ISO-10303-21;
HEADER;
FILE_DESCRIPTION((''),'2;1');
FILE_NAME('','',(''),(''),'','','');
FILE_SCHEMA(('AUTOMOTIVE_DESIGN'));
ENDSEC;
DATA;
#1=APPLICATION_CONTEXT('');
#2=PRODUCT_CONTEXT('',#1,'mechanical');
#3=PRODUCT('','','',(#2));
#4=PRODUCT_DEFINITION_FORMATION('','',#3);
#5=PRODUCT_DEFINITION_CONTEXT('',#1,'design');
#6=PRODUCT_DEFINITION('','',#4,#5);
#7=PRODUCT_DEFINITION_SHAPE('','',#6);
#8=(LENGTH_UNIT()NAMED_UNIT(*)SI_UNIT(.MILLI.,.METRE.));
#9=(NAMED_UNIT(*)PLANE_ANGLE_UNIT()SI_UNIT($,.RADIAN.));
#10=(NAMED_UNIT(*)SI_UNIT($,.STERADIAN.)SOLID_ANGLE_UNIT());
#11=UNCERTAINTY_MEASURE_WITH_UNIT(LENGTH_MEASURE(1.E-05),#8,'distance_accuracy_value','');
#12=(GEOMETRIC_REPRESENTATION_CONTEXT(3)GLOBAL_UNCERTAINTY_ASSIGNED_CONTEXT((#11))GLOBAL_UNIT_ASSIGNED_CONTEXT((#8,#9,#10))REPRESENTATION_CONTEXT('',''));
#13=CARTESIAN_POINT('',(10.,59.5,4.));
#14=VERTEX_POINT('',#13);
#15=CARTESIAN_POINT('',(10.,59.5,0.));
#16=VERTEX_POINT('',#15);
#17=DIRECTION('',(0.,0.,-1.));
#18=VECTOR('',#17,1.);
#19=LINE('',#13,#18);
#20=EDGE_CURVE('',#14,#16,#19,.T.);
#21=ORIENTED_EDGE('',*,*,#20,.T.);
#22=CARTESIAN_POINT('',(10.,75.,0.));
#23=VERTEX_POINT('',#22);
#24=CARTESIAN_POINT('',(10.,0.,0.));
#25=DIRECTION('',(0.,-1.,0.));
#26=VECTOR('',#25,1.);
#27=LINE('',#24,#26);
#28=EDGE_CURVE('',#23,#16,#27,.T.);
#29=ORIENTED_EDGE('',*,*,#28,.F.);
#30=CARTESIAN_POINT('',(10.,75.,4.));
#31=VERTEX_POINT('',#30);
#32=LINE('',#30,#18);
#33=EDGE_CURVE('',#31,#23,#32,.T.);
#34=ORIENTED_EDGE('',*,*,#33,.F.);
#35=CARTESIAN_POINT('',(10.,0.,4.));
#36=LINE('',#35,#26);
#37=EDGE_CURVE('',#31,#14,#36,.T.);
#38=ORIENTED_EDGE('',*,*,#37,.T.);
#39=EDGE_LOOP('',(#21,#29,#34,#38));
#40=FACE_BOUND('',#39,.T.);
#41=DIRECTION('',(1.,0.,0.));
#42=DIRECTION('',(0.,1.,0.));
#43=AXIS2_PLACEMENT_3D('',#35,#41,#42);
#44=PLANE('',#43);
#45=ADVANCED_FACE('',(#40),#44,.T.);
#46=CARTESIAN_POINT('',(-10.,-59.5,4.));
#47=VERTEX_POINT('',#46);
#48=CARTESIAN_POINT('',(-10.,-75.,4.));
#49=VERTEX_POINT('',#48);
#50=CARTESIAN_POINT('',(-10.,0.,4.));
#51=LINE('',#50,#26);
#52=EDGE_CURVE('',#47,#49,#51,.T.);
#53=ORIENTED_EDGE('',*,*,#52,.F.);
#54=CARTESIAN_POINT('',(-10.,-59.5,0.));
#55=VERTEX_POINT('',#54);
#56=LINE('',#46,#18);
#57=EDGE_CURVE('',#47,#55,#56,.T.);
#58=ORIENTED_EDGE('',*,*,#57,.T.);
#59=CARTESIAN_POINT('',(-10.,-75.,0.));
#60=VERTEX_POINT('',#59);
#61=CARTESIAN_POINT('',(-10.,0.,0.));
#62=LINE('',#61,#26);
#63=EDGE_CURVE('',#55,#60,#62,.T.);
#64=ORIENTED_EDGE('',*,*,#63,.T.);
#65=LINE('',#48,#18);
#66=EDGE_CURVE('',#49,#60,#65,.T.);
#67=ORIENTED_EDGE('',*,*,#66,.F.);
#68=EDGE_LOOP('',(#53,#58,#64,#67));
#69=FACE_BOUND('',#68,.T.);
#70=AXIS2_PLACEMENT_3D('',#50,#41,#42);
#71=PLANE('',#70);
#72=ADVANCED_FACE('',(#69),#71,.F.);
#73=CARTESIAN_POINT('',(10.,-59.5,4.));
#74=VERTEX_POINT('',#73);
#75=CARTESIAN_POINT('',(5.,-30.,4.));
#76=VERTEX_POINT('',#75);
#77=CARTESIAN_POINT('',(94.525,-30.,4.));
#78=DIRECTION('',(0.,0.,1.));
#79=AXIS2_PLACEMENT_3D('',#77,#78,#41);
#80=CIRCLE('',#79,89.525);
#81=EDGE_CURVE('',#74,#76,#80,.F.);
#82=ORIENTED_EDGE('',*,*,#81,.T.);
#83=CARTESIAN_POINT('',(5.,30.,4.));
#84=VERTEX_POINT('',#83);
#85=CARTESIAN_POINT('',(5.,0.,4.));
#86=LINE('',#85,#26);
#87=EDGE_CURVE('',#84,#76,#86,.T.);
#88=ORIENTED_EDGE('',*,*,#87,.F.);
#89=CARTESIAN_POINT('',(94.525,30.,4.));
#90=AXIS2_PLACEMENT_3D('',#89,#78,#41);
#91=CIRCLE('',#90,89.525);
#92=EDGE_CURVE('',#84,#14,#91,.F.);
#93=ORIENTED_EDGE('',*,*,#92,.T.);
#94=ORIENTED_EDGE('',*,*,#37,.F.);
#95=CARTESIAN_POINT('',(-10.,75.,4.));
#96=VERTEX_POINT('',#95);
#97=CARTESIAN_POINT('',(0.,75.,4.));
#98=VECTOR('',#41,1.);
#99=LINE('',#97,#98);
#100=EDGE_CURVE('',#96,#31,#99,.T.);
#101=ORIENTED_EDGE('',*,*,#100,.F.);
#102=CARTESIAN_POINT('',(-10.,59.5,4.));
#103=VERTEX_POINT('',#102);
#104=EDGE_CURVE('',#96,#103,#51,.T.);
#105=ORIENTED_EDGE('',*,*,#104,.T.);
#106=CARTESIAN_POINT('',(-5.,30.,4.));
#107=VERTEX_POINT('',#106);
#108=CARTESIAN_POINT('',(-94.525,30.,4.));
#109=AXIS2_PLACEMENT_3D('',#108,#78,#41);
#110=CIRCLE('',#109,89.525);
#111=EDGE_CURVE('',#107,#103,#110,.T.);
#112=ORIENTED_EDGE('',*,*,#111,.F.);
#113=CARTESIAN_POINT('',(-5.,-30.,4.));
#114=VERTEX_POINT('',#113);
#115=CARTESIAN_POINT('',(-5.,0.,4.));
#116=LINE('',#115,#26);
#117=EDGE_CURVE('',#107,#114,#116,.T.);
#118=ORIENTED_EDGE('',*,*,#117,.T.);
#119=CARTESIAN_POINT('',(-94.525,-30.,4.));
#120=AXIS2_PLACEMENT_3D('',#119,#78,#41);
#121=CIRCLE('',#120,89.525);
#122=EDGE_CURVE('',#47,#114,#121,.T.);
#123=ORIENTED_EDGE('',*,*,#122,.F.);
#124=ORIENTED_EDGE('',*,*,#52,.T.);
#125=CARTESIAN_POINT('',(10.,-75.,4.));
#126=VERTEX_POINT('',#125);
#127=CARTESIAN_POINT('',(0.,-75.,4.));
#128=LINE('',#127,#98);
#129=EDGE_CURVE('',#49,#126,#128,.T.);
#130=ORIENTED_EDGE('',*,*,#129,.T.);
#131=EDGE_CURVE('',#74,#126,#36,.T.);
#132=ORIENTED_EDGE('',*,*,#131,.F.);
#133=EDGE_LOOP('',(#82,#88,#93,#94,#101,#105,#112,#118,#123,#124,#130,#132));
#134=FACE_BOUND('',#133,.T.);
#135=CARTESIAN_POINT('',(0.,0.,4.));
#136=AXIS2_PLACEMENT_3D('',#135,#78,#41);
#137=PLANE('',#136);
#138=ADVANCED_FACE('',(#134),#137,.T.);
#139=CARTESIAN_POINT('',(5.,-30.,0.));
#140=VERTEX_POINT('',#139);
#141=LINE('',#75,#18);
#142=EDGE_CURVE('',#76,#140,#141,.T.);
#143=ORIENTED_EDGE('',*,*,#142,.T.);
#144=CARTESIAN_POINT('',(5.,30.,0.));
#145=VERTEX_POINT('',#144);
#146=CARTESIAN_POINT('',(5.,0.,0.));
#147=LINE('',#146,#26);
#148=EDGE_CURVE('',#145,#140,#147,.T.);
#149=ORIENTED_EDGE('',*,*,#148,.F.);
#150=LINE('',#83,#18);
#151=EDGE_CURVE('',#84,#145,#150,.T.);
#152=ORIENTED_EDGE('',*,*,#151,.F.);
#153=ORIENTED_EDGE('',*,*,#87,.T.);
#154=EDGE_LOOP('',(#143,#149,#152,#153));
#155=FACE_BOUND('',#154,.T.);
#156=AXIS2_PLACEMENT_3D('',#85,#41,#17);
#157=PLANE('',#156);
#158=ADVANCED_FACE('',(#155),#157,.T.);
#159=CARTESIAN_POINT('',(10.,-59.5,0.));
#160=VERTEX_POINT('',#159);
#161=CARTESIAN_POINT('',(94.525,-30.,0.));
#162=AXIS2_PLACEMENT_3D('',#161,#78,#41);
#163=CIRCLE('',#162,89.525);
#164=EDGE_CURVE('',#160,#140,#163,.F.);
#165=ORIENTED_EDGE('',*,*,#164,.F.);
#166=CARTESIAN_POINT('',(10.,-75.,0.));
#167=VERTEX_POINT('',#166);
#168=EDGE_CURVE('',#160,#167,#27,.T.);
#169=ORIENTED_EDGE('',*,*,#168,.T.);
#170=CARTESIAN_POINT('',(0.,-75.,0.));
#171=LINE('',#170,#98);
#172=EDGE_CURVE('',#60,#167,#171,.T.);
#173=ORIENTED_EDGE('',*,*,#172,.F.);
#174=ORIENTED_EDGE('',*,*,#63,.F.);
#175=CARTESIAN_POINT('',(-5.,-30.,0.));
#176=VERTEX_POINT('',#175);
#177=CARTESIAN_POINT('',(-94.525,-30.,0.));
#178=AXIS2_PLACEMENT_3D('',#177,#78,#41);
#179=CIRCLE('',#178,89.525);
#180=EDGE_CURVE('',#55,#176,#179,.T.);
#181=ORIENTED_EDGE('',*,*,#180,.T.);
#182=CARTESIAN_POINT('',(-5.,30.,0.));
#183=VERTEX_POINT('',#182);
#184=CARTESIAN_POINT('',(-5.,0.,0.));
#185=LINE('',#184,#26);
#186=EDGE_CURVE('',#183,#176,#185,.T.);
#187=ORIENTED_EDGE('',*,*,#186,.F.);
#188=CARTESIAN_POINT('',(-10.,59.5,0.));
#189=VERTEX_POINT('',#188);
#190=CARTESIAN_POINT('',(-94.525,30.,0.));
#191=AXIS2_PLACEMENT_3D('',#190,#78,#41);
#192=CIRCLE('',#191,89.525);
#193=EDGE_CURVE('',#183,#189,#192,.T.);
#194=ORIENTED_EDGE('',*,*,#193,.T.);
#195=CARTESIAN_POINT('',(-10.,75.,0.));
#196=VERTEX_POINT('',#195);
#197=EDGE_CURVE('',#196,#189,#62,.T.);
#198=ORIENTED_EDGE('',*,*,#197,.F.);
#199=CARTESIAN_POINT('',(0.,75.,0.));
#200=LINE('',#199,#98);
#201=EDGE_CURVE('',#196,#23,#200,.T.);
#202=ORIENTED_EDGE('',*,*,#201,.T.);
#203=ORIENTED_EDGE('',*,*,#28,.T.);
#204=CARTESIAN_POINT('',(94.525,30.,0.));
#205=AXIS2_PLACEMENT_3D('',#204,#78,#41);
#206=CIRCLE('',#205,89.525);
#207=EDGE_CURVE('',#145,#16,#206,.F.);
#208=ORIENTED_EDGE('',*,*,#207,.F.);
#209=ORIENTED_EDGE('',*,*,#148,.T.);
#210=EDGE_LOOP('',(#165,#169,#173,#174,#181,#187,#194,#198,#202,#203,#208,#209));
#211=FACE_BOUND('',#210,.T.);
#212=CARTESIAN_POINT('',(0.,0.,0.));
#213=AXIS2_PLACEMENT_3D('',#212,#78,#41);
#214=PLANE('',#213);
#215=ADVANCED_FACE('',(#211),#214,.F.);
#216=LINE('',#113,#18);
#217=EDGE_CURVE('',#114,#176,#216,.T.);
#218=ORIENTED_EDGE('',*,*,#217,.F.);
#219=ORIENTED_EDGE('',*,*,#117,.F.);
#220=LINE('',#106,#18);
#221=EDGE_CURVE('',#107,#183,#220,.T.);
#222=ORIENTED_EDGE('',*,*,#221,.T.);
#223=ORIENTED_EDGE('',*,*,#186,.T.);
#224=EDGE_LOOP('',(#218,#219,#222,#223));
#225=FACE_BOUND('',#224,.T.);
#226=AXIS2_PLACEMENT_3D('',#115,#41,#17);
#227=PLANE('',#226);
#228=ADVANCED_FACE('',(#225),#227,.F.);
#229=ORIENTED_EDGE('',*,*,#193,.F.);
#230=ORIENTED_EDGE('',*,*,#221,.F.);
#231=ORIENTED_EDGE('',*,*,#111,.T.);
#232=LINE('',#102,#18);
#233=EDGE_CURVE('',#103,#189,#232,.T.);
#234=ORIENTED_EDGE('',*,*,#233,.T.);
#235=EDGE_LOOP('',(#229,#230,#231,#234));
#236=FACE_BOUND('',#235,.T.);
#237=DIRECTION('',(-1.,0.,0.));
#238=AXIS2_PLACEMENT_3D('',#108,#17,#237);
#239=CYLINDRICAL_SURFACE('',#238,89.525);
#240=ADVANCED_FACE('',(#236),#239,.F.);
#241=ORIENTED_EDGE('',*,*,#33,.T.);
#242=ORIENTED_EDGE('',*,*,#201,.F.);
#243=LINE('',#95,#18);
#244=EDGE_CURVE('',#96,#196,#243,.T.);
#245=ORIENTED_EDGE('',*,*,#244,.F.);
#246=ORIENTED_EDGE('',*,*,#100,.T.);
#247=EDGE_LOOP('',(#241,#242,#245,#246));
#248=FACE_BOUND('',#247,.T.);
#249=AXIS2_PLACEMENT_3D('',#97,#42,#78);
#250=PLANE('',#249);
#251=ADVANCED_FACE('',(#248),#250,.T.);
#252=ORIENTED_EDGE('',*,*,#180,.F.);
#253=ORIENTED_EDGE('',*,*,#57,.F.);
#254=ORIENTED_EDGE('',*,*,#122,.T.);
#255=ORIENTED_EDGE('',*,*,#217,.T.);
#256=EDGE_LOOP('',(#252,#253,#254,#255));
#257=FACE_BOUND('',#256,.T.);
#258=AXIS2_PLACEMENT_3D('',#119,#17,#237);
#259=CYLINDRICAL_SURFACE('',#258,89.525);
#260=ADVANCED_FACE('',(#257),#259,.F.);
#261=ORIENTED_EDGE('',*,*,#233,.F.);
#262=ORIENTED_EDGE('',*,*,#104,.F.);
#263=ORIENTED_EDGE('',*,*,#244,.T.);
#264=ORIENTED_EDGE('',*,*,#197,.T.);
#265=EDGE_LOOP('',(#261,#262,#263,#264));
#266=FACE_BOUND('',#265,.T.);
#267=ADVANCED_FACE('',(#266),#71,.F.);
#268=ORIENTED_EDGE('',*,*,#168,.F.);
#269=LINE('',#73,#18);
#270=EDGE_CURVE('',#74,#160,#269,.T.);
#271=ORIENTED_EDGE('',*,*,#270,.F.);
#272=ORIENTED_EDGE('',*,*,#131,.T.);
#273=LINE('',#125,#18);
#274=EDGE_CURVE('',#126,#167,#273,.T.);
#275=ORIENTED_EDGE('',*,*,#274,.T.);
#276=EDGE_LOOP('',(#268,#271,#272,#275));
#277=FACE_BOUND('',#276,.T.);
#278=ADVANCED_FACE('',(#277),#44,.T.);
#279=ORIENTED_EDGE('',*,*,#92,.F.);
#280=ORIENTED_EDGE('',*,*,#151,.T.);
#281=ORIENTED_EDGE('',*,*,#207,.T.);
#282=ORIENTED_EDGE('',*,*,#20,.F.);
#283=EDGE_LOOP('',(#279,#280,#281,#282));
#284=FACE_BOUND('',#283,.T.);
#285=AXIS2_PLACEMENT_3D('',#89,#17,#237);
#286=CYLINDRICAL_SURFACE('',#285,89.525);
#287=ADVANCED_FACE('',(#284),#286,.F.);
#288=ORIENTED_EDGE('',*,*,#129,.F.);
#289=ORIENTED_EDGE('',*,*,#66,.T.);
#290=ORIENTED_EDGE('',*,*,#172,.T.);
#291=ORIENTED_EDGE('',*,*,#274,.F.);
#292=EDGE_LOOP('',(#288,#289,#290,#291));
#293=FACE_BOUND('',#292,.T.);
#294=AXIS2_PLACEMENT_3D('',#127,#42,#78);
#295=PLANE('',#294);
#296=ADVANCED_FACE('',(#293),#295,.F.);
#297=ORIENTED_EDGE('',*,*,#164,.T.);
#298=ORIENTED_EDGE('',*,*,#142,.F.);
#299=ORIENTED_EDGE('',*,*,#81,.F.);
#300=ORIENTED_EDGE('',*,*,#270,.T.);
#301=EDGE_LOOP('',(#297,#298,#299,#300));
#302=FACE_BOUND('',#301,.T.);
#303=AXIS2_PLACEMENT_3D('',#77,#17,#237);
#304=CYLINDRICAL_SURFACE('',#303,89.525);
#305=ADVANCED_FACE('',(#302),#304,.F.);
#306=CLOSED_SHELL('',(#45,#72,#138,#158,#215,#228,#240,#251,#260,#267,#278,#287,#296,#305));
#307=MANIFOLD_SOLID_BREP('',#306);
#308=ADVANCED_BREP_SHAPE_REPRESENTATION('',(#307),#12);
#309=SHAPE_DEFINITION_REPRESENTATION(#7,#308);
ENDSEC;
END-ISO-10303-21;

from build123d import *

# Parameters (mm, degrees)
ESQUISSE1_W        = 10
ESQUISSE1_H        = 60
BOSS_EXTRU_1_DEPTH = 4


with BuildPart() as part:
    # Esquisse1 → Boss.-Extru.1 (new body)
    with BuildSketch(Plane.XY):
        with BuildLine():
            Line((-5, 30), (5, 30))
            ThreePointArc((5, 30), (6.258850628, 44.9603643), (10, 59.5))
            Line((10, 59.5), (10, 75))
            Line((10, 75), (-10, 75))
            Line((-10, 75), (-10, 59.5))
            ThreePointArc((-10, 59.5), (-6.258850628, 44.9603643), (-5, 30))
        make_face()
        Rectangle(ESQUISSE1_W, ESQUISSE1_H)
        with BuildLine():
            Line((10, -59.5), (10, -75))
            Line((10, -75), (-10, -75))
            Line((-10, -75), (-10, -59.5))
            ThreePointArc((-10, -59.5), (-6.258850628, -44.9603643), (-5, -30))
            Line((-5, -30), (5, -30))
            ThreePointArc((5, -30), (6.258850628, -44.9603643), (10, -59.5))
        make_face()
    extrude(amount=BOSS_EXTRU_1_DEPTH)


solid = part.part
